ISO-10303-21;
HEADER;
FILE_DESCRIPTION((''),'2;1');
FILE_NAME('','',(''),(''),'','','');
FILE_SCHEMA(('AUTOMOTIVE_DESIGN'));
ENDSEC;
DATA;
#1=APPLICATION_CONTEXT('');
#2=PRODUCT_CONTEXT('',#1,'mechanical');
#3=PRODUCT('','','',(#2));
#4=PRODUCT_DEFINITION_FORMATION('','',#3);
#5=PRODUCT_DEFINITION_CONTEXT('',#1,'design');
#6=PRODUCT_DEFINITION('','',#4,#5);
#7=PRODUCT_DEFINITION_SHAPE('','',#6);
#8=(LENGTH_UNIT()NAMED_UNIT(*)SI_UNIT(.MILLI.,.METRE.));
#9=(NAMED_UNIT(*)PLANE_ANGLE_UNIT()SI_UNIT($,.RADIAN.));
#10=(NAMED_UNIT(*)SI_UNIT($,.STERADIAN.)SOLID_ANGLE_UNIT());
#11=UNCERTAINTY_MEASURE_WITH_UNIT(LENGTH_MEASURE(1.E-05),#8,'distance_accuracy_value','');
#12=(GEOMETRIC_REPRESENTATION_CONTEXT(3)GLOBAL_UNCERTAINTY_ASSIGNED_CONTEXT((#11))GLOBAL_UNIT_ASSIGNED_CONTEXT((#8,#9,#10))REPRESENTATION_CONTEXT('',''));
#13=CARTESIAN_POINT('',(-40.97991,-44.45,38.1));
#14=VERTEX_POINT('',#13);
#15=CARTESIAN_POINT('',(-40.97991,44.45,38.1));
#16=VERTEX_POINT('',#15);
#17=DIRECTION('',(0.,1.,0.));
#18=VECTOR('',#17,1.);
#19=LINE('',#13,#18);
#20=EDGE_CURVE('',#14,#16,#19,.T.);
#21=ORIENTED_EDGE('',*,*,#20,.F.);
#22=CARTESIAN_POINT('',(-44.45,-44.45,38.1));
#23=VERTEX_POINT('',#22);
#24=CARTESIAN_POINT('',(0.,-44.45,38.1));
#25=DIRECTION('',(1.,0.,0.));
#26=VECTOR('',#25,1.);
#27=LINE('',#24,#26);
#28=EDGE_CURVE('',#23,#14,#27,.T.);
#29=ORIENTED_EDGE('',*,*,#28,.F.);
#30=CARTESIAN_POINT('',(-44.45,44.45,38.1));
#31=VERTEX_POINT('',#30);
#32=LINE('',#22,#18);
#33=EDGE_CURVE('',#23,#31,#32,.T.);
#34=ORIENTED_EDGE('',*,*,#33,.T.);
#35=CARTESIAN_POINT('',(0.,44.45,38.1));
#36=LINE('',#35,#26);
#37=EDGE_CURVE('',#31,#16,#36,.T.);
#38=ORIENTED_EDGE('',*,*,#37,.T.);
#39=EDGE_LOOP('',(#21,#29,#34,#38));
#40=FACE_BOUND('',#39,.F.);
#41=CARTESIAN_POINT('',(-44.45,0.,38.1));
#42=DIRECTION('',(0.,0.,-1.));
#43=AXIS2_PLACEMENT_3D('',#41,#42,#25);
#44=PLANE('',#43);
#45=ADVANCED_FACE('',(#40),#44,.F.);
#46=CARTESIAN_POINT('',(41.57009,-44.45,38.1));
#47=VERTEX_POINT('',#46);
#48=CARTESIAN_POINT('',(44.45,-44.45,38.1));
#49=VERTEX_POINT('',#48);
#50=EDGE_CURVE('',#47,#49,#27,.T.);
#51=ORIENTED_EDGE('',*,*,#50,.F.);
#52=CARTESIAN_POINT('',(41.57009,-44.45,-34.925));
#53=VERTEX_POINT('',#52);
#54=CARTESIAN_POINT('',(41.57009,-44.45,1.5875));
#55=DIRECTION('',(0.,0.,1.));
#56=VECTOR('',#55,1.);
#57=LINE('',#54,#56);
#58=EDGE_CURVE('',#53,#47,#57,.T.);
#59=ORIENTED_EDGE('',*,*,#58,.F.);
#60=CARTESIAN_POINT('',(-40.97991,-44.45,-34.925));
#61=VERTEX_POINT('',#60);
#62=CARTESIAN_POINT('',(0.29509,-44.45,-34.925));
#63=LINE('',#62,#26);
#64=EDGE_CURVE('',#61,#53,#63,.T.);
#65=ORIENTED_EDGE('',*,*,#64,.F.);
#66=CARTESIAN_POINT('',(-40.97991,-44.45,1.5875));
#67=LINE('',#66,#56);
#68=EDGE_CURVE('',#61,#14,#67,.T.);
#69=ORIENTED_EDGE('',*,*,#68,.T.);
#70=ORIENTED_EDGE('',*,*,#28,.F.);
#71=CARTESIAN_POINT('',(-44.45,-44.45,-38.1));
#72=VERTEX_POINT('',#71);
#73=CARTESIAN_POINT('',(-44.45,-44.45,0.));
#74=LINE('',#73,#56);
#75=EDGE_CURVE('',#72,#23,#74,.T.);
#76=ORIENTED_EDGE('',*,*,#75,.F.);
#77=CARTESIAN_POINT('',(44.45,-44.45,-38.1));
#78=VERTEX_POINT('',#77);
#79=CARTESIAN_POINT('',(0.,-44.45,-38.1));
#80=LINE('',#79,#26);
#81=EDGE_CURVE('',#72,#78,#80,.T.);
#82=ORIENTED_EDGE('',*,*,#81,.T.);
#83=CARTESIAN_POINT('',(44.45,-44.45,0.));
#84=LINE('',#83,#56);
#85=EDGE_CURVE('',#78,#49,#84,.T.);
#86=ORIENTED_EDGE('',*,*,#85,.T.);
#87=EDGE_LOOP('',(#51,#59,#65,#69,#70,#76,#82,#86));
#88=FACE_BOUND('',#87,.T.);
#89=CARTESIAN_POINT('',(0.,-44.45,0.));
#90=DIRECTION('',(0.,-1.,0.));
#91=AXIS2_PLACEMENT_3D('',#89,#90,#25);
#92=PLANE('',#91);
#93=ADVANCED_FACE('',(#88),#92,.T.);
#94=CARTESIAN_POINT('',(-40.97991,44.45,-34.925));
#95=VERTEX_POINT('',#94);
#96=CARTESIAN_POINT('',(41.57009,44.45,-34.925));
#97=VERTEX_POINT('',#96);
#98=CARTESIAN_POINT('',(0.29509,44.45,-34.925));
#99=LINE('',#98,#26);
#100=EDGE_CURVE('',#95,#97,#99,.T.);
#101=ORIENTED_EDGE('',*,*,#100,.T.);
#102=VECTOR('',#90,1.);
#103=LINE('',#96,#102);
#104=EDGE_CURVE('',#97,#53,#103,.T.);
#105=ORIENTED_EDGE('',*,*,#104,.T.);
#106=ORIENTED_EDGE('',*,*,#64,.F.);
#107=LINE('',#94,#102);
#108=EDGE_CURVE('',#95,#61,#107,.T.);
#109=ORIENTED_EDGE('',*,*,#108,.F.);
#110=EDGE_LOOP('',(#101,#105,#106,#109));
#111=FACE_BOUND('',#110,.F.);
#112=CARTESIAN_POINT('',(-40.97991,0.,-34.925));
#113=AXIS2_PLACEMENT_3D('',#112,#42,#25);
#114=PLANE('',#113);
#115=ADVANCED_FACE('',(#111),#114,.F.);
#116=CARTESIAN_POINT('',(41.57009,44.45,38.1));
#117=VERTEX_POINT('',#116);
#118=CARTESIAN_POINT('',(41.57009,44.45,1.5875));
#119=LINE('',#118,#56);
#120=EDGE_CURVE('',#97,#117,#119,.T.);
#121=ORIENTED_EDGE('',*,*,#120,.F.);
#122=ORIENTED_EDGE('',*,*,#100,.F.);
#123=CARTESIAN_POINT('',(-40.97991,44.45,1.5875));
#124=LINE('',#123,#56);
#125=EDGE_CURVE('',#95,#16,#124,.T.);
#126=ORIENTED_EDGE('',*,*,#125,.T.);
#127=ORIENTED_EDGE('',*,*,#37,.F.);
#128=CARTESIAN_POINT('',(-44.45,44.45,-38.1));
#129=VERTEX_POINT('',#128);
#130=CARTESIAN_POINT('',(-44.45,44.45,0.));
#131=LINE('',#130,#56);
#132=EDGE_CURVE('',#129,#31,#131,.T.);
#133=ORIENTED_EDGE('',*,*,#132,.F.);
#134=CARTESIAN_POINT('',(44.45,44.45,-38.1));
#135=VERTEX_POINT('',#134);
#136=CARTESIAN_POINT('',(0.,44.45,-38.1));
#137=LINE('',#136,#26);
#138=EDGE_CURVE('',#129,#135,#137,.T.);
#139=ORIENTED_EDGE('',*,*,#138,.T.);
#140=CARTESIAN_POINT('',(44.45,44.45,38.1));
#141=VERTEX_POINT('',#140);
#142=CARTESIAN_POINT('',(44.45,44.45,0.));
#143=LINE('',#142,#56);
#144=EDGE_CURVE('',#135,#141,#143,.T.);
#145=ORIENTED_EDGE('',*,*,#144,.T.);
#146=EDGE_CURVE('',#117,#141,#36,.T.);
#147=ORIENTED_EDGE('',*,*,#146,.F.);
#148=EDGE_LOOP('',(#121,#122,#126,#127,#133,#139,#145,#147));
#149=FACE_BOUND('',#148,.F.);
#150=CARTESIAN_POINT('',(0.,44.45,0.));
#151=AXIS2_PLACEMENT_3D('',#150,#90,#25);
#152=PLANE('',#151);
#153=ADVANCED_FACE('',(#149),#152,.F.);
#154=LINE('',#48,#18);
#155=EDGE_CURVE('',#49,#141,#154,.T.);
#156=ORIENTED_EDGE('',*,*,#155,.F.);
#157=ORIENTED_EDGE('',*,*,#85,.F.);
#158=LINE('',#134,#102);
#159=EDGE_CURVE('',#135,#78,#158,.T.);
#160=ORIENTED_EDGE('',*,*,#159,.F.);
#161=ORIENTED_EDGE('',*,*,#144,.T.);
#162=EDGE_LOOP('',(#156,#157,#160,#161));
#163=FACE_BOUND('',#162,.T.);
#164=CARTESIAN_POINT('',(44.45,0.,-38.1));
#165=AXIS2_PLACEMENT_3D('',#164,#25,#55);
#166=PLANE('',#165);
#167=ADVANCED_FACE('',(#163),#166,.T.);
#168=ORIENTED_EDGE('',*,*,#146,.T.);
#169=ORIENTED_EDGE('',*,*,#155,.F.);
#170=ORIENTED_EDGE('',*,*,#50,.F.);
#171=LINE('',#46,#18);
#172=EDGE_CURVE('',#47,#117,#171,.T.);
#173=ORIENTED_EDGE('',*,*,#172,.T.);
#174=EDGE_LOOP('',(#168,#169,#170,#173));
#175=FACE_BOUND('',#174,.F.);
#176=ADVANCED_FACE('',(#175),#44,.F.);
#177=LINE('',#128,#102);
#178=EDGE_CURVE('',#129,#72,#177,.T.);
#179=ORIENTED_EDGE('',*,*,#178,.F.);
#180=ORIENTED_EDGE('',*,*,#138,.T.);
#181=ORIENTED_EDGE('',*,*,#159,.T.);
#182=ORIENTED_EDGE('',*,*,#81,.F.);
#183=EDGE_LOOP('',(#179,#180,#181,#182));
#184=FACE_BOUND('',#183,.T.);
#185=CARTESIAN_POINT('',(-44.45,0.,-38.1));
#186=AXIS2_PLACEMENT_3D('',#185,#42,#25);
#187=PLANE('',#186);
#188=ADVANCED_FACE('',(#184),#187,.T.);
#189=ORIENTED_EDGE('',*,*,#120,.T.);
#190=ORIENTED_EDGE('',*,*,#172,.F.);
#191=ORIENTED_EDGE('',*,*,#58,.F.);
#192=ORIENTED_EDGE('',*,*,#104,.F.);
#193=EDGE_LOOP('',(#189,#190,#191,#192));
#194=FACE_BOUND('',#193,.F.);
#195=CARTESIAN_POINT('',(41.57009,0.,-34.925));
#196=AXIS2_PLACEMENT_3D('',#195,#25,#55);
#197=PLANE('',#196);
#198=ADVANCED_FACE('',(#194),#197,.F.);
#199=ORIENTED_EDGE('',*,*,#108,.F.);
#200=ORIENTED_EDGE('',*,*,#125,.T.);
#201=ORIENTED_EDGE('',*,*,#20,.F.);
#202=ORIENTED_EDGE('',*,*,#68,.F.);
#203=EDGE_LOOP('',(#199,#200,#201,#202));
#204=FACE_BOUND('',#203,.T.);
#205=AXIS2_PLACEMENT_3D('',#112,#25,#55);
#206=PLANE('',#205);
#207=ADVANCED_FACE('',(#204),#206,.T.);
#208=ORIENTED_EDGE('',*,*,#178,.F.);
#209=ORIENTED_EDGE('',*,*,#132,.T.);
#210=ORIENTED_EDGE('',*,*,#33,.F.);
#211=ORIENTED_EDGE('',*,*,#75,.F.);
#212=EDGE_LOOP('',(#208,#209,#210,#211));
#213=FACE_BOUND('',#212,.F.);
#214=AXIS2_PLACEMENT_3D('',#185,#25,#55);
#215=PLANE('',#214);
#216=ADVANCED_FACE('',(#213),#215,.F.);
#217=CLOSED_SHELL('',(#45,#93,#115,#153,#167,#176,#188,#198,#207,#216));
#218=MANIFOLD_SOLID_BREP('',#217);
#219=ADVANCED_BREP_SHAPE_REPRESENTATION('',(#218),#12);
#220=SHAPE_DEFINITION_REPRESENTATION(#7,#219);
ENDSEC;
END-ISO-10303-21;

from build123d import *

# Parameters (mm, degrees)
F0_W     = 88.9
F0_H     = 76.2
F1_DEPTH = 44.45
F2_W     = 82.55
F2_H     = 73.025
F3_DEPTH = 44.45


with BuildPart() as f1:
    # F0 (on Front) → F1 (new body, symmetric)
    with BuildSketch(Plane.XZ):
        Rectangle(F0_W, F0_H)
    extrude(amount=F1_DEPTH, both=True)

    # F2 (on Front) → F3 (cut, symmetric)
    with BuildSketch(Plane.XZ):
        with Locations((0.2950895578, 1.5875)):
            Rectangle(F2_W, F2_H)
    extrude(amount=F3_DEPTH, both=True, mode=Mode.SUBTRACT)


solid = f1.part
